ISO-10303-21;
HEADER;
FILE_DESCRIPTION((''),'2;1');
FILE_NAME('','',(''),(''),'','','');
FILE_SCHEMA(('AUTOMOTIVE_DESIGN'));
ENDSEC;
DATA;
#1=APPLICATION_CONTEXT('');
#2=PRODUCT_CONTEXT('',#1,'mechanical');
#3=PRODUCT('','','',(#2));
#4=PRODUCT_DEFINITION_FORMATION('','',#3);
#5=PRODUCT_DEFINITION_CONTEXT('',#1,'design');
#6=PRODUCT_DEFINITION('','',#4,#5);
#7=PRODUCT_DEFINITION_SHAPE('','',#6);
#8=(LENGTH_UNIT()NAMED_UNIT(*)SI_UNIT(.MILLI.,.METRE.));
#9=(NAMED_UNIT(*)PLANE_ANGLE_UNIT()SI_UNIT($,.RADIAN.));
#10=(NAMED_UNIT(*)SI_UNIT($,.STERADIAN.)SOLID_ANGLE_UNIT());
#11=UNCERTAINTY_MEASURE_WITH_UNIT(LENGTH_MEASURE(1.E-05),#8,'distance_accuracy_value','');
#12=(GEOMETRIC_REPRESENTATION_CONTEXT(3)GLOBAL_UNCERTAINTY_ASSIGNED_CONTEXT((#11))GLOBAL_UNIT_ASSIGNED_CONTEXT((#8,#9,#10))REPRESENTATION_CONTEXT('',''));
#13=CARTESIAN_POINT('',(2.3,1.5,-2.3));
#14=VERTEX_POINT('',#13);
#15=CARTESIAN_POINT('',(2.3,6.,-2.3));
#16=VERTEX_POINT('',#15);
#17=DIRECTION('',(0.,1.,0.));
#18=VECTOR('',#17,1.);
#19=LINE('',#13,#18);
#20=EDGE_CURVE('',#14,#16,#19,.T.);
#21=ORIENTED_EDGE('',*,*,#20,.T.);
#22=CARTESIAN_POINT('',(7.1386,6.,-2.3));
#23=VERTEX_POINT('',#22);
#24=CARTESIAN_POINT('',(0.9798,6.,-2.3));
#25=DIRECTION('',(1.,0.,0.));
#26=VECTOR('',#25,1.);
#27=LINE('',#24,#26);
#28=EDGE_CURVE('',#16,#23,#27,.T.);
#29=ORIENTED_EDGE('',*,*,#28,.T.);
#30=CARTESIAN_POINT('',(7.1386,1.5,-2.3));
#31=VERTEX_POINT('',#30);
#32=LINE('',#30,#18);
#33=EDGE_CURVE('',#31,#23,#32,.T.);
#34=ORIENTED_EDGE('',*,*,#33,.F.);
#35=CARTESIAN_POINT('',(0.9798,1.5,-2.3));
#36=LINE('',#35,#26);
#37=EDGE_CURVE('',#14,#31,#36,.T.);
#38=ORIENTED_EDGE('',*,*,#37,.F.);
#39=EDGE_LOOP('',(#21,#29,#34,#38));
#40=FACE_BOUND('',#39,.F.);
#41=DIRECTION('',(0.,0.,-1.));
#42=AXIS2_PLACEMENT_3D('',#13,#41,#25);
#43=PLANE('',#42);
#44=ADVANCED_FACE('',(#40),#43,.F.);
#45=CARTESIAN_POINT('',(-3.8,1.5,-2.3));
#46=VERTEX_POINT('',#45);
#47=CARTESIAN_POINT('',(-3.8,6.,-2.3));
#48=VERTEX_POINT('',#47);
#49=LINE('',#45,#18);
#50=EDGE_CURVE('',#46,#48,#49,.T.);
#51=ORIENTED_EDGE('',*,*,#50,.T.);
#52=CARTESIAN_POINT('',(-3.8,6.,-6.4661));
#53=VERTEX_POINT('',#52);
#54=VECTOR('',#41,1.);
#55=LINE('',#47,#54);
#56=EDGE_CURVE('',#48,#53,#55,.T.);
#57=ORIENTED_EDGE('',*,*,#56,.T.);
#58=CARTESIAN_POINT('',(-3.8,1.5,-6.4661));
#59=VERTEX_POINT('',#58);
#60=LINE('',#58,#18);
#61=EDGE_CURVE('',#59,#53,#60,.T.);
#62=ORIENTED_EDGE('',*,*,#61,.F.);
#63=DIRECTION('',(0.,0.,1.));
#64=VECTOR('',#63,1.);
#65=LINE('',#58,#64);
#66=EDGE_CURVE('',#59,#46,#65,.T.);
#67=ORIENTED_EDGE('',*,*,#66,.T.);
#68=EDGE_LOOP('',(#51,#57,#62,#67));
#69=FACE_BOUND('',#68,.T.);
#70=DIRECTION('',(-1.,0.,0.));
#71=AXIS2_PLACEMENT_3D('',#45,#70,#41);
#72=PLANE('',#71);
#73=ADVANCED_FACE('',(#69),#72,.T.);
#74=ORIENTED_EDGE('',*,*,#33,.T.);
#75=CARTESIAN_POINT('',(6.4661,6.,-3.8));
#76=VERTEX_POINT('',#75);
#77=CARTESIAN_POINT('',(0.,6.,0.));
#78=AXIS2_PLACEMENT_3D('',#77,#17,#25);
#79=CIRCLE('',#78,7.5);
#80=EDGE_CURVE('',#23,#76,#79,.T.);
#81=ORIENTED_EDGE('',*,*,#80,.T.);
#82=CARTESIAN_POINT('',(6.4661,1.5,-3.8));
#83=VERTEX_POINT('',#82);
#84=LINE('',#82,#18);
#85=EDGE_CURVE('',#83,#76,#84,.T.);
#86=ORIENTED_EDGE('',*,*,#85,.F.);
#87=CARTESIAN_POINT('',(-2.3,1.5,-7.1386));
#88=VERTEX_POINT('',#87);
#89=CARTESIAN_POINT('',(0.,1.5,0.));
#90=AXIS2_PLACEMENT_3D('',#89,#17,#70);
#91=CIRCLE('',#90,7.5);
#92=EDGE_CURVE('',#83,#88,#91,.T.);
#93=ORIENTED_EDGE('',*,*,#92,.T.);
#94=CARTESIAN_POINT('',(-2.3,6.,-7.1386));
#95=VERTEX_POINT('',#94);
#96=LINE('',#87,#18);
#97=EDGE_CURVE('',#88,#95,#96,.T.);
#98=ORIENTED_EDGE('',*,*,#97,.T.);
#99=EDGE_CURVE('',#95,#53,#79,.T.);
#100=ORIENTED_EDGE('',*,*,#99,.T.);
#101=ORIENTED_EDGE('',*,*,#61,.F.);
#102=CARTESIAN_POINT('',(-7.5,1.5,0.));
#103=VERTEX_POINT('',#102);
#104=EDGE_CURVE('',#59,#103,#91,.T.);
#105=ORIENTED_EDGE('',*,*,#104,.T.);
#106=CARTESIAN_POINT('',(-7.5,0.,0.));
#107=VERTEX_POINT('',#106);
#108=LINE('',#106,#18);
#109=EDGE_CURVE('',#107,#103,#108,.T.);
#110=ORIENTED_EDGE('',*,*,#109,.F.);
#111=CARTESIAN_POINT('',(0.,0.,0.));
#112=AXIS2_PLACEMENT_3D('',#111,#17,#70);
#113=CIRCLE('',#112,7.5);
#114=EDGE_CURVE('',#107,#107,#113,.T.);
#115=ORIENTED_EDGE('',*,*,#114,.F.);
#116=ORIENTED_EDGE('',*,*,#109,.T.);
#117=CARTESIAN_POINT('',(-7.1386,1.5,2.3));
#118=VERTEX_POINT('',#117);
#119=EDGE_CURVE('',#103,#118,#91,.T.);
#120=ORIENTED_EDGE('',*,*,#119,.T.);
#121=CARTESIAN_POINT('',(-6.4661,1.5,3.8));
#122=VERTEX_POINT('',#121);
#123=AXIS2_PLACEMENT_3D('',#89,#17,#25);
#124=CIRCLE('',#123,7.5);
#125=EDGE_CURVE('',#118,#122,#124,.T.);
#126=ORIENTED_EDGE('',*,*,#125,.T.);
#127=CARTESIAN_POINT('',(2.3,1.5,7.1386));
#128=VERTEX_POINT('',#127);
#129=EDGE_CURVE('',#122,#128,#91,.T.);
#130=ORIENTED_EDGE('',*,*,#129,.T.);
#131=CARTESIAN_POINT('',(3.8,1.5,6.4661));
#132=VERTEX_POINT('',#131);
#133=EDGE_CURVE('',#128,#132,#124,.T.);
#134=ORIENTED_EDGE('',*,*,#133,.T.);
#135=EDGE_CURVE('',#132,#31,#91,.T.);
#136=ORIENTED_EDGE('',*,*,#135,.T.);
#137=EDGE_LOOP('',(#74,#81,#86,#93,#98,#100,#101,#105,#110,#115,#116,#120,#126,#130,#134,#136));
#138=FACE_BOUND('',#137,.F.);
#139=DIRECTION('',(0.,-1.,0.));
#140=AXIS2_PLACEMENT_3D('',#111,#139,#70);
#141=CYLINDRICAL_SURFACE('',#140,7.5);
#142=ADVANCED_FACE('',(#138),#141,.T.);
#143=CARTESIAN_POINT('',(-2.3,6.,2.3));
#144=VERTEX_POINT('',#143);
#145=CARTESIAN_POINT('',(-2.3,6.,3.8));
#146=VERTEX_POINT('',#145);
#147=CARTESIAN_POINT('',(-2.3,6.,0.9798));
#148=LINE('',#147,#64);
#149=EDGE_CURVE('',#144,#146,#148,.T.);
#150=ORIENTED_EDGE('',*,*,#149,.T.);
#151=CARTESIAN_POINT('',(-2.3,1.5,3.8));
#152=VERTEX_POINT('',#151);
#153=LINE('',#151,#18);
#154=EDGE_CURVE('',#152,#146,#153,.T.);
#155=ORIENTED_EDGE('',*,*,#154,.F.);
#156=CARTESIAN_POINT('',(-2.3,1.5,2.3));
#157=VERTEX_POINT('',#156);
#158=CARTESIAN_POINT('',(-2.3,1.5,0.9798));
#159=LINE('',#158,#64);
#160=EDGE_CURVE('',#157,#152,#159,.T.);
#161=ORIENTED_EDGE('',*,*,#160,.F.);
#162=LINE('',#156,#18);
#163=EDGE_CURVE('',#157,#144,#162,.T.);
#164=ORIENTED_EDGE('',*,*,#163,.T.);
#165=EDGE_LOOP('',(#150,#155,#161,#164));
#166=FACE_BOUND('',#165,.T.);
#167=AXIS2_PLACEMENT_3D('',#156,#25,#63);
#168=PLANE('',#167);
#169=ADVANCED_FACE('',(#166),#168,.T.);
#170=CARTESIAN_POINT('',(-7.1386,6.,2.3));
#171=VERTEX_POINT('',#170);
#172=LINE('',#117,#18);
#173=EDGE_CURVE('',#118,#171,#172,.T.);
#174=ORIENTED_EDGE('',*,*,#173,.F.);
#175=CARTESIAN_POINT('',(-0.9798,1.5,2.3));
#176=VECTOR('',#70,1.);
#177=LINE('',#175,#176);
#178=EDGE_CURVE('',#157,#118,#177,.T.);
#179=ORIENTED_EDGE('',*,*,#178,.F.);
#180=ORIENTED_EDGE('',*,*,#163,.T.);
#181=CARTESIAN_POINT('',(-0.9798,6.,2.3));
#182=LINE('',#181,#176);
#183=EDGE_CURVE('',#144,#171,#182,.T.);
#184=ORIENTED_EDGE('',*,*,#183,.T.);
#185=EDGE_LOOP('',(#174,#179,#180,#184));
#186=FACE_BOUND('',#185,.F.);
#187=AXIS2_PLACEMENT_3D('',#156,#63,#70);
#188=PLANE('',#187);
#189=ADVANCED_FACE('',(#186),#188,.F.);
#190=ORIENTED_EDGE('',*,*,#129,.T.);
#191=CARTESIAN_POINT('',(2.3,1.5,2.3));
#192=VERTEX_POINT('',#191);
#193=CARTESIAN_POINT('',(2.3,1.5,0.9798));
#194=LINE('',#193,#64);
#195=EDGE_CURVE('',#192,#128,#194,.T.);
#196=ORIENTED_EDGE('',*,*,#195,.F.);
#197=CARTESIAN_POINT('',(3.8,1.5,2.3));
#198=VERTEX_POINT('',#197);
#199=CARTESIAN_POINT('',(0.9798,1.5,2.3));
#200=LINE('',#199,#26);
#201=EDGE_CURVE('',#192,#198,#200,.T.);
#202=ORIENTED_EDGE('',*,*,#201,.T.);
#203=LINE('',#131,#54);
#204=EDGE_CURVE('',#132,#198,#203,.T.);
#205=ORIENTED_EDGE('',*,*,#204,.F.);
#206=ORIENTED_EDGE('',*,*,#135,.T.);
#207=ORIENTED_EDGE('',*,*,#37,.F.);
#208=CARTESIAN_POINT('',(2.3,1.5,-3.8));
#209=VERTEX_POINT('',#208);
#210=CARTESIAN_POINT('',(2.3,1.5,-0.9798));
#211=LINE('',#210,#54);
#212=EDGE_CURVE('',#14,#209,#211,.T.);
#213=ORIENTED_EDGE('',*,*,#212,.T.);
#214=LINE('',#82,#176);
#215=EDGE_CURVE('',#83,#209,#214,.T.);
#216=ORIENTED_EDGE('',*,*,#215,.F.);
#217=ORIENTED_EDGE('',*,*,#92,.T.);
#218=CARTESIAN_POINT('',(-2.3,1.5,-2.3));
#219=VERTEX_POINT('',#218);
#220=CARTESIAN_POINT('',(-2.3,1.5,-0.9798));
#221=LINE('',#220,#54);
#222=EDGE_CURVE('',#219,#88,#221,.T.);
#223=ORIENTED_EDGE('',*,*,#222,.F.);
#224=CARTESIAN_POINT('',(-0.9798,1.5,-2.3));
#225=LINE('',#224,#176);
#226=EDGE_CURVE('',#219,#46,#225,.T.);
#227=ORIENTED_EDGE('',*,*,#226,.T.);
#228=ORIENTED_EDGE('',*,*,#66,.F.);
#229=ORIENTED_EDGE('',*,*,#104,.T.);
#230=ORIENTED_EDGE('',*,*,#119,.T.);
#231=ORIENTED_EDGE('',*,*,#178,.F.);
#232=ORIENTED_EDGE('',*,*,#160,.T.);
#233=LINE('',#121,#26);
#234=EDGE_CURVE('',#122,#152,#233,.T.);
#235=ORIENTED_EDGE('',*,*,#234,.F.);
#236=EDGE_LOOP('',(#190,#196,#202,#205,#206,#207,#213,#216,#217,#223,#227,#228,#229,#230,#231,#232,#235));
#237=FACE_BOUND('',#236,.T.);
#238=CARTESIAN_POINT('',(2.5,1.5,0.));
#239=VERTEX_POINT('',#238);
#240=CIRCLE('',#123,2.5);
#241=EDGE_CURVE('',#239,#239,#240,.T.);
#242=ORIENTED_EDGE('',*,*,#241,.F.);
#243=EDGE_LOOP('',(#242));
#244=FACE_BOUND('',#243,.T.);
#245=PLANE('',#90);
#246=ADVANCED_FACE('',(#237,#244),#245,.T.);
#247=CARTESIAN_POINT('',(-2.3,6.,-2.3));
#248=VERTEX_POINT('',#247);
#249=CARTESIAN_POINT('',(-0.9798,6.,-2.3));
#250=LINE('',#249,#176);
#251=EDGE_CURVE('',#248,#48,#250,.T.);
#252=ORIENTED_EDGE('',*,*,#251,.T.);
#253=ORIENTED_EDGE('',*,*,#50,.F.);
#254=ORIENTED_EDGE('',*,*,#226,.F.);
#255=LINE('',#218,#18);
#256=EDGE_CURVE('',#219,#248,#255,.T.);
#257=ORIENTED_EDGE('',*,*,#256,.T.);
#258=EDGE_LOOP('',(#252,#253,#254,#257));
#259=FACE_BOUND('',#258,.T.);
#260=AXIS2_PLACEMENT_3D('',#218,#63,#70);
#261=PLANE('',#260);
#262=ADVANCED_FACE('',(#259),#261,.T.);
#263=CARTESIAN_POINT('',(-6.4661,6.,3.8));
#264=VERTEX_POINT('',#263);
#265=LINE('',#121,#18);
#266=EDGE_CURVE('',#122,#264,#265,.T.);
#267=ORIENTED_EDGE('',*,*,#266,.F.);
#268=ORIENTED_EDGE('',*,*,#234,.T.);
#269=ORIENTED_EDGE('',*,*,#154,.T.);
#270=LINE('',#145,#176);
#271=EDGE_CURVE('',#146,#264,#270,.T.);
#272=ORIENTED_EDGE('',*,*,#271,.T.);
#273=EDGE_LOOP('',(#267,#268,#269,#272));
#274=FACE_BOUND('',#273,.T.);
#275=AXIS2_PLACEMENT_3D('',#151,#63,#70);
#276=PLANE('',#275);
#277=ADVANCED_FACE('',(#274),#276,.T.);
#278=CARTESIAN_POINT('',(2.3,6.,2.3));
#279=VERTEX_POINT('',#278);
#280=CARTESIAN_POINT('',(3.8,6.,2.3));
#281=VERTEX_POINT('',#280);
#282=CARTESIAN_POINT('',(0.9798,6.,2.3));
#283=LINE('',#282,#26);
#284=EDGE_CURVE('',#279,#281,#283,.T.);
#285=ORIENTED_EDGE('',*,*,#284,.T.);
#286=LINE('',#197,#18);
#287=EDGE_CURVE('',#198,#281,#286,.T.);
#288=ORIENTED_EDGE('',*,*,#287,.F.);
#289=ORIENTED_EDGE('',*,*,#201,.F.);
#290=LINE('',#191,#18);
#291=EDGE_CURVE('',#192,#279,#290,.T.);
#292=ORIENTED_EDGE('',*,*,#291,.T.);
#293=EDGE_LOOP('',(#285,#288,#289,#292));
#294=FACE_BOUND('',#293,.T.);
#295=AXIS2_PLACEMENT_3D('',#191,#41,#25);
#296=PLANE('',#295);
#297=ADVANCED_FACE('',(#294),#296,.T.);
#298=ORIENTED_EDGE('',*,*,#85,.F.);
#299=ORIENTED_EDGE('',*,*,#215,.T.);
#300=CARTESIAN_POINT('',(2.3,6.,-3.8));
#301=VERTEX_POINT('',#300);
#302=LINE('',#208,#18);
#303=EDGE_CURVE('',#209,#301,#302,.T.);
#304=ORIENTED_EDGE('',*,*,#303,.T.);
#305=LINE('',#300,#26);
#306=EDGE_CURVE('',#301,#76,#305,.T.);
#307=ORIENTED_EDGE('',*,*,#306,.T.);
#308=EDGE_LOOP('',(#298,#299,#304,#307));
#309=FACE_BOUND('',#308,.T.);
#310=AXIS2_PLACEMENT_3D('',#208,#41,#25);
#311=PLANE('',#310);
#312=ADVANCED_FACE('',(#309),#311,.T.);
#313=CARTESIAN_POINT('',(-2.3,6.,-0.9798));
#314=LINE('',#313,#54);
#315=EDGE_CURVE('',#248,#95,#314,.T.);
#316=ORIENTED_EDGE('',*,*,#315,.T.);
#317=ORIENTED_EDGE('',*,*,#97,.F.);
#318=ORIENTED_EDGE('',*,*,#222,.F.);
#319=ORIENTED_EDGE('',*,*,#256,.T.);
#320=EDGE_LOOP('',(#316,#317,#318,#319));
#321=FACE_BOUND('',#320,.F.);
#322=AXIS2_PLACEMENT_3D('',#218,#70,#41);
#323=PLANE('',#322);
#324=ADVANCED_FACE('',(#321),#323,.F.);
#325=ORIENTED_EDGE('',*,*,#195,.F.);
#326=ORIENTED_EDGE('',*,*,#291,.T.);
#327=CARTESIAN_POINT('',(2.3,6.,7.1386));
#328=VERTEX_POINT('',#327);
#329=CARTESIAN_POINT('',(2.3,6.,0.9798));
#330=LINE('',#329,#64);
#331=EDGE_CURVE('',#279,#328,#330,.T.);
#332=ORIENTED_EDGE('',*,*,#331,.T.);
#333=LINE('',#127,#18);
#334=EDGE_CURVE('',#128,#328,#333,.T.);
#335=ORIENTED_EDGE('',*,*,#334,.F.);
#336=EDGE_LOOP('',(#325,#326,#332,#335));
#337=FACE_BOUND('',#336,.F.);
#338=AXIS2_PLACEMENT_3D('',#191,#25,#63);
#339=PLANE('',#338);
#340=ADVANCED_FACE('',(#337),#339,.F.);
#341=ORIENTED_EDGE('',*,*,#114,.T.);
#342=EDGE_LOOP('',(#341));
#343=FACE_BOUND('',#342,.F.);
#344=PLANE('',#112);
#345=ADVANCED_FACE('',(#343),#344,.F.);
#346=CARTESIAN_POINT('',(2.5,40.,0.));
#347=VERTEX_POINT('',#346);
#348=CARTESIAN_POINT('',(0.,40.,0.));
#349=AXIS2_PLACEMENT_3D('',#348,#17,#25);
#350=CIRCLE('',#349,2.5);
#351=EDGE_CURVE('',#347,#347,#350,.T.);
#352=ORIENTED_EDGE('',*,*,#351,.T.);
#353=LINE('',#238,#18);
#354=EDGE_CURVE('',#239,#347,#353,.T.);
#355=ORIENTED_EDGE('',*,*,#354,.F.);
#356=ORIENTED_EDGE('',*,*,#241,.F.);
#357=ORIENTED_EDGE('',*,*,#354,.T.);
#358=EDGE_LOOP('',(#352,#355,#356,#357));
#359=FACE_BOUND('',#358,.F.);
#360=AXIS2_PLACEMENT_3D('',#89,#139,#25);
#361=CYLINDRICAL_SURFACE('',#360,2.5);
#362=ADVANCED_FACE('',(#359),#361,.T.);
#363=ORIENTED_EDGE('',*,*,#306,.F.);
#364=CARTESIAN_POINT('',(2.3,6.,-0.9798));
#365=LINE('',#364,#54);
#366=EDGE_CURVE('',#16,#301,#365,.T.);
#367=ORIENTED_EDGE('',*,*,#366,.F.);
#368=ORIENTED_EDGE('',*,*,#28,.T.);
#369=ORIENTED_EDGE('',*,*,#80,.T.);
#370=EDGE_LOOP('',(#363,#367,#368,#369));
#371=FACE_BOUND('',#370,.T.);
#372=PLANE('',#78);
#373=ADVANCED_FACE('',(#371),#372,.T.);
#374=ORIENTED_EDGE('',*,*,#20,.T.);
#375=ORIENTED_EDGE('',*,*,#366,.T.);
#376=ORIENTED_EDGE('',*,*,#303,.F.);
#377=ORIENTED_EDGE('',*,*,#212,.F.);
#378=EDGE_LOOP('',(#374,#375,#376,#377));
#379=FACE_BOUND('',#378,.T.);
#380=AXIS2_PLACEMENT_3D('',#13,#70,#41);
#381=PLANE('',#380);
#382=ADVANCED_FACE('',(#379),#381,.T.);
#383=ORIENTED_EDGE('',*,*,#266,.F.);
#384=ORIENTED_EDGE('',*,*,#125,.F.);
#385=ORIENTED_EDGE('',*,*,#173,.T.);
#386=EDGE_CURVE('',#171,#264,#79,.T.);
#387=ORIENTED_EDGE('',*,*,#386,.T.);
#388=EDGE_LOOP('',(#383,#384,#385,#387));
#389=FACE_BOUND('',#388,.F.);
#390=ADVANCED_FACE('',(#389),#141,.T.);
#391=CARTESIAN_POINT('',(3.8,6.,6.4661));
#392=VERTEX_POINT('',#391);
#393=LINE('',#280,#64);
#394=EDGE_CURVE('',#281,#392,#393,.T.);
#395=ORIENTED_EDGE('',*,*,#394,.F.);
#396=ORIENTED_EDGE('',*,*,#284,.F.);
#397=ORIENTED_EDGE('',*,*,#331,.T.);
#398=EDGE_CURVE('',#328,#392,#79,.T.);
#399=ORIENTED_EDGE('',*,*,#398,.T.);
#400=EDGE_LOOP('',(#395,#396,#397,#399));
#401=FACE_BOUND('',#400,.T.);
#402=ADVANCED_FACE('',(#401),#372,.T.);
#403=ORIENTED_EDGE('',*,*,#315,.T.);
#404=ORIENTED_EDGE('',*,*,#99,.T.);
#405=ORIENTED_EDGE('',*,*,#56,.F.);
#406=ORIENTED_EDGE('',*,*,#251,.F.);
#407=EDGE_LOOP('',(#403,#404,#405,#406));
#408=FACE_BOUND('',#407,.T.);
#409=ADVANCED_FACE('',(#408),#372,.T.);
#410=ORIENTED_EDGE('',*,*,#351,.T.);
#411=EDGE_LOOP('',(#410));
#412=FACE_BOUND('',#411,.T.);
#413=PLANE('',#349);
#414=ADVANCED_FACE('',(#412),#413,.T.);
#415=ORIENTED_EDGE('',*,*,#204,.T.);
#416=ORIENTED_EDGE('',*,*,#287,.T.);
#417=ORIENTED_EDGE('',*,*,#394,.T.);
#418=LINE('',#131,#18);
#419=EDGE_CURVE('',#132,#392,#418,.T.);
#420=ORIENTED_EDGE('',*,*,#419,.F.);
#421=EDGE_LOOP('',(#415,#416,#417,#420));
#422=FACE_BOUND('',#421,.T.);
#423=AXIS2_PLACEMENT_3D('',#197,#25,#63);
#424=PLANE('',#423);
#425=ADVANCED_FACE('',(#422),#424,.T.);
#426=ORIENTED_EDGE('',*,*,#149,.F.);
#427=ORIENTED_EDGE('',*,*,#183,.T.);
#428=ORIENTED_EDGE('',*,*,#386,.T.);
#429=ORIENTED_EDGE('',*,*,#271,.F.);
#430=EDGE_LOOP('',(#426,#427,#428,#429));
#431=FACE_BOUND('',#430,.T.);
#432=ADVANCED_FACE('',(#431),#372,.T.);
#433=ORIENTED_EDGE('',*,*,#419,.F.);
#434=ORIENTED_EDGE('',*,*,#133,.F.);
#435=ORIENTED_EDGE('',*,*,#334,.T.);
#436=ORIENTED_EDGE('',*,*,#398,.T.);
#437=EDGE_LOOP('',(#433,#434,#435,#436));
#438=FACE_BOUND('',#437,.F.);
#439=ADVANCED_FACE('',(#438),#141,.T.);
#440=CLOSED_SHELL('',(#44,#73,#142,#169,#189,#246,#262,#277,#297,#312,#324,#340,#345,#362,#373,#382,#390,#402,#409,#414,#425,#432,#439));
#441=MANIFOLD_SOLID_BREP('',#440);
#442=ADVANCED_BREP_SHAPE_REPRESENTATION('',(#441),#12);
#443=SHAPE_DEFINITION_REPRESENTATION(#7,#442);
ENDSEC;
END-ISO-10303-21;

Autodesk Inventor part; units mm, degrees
ref_plane "YZ Plane" through (0, 0, 0) normal (1, 0, 0) x (0, 1, 0)
ref_plane "XZ Plane" through (0, 0, 0) normal (0, 1, 0) x (-1, 0, 0)
ref_plane "XY Plane" through (0, 0, 0) normal (0, 0, 1) x (1, 0, 0)
sketch "Sketch1" plane through (0, 0, 0) normal (0, 1, 0) x (-1, 0, 0)
  circle A0 centre (0, 0) radius 7.5
  circle A1 centre (0, 0) radius 2.5
  dimension "d0" = 15
  dimension "d1" = 5
extrude "Extrusion1" add sketch "Sketch1" along normal blind 1.5 contours A0 | A1
sketch "Sketch2" plane through (0, 1.5, 0) normal (0, 1, 0) x (1, 0, 0)
  circle A0 centre (0, 0) radius 2.5
  circle A1 centre (0, 0) radius 7.5 projected
  line L0 (-0.9798, 2.3) -> (-7.1386, 2.3)
  circle A2 centre (0, 0) radius 7.5 projected
  line L1 (-2.3, 0.9798) -> (-2.3, 7.1386)
  line L2 (-2.3, 7.1386) -> (-7.1386, 2.3)
  line L3 (-3.8, 2.3) -> (-3.8, 6.4661)
  line L4 (-2.3, -0.9798) -> (-2.3, -7.1386)
  line L5 (-0.9798, -2.3) -> (-7.1386, -2.3)
  line L6 (-2.3, -3.8) -> (-6.4661, -3.8)
  line L7 (-7.1386, -2.3) -> (-2.3, -7.1386)
  line L8 (0.9798, -2.3) -> (7.1386, -2.3)
  line L9 (2.3, -0.9798) -> (2.3, -7.1386)
  line L10 (3.8, -2.3) -> (3.8, -6.4661)
  line L11 (2.3, -7.1386) -> (7.1386, -2.3)
  line L12 (2.3, 0.9798) -> (2.3, 7.1386)
  line L13 (0.9798, 2.3) -> (7.1386, 2.3)
  line L14 (2.3, 3.8) -> (6.4661, 3.8)
  line L15 (7.1386, 2.3) -> (2.3, 7.1386)
  point P0 (2.3, -2.3)
  point P1 (2.3, -7.1386)
  point P2 (2.3, 2.3)
  point P3 (-2.3, 2.3)
  point P4 (-2.3, -2.3)
  dimension "d4" = 5
  dimension "d5" = 2.3
  dimension "d6" = 2.3
  dimension "d7" = 6.8429
  dimension "d8" = 1.5
  dimension "d11" = 360
extrude "Extrusion2" add sketch "Sketch2" along normal blind 4.5 contours L12 L14 L15 L13 | L8 L10 L11 L9 | L15 L14 A1 | L11 L10 A1 | L0 L3 L2 L1 | L4 L6 L7 L5 | L2 L3 A1 | L7 L6 A1 picked at (6.5762, 2.972) picked at (2.972, -6.5762) picked at (-2.972, 6.5762) picked at (-6.5762, -2.972)
sketch "Sketch3" plane through (0, 1.5, 0) normal (0, 1, 0) x (1, 0, 0)
  circle A0 centre (0, 0) radius 2.5
  dimension "d15" = 5
extrude "Extrusion3" add sketch "Sketch3" along normal blind 38.5
sketch "Sketch4" plane through (0, 0, 0) normal (0, -1, 0) x (1, 0, 0)
  point P0 (0, 0)
  point P1 (0, 0)
hole "Hole1" [suppressed]
fillet "Fillet1" [suppressed]
equation "\"d6\" = d5"
properties part number "claw_nut"
